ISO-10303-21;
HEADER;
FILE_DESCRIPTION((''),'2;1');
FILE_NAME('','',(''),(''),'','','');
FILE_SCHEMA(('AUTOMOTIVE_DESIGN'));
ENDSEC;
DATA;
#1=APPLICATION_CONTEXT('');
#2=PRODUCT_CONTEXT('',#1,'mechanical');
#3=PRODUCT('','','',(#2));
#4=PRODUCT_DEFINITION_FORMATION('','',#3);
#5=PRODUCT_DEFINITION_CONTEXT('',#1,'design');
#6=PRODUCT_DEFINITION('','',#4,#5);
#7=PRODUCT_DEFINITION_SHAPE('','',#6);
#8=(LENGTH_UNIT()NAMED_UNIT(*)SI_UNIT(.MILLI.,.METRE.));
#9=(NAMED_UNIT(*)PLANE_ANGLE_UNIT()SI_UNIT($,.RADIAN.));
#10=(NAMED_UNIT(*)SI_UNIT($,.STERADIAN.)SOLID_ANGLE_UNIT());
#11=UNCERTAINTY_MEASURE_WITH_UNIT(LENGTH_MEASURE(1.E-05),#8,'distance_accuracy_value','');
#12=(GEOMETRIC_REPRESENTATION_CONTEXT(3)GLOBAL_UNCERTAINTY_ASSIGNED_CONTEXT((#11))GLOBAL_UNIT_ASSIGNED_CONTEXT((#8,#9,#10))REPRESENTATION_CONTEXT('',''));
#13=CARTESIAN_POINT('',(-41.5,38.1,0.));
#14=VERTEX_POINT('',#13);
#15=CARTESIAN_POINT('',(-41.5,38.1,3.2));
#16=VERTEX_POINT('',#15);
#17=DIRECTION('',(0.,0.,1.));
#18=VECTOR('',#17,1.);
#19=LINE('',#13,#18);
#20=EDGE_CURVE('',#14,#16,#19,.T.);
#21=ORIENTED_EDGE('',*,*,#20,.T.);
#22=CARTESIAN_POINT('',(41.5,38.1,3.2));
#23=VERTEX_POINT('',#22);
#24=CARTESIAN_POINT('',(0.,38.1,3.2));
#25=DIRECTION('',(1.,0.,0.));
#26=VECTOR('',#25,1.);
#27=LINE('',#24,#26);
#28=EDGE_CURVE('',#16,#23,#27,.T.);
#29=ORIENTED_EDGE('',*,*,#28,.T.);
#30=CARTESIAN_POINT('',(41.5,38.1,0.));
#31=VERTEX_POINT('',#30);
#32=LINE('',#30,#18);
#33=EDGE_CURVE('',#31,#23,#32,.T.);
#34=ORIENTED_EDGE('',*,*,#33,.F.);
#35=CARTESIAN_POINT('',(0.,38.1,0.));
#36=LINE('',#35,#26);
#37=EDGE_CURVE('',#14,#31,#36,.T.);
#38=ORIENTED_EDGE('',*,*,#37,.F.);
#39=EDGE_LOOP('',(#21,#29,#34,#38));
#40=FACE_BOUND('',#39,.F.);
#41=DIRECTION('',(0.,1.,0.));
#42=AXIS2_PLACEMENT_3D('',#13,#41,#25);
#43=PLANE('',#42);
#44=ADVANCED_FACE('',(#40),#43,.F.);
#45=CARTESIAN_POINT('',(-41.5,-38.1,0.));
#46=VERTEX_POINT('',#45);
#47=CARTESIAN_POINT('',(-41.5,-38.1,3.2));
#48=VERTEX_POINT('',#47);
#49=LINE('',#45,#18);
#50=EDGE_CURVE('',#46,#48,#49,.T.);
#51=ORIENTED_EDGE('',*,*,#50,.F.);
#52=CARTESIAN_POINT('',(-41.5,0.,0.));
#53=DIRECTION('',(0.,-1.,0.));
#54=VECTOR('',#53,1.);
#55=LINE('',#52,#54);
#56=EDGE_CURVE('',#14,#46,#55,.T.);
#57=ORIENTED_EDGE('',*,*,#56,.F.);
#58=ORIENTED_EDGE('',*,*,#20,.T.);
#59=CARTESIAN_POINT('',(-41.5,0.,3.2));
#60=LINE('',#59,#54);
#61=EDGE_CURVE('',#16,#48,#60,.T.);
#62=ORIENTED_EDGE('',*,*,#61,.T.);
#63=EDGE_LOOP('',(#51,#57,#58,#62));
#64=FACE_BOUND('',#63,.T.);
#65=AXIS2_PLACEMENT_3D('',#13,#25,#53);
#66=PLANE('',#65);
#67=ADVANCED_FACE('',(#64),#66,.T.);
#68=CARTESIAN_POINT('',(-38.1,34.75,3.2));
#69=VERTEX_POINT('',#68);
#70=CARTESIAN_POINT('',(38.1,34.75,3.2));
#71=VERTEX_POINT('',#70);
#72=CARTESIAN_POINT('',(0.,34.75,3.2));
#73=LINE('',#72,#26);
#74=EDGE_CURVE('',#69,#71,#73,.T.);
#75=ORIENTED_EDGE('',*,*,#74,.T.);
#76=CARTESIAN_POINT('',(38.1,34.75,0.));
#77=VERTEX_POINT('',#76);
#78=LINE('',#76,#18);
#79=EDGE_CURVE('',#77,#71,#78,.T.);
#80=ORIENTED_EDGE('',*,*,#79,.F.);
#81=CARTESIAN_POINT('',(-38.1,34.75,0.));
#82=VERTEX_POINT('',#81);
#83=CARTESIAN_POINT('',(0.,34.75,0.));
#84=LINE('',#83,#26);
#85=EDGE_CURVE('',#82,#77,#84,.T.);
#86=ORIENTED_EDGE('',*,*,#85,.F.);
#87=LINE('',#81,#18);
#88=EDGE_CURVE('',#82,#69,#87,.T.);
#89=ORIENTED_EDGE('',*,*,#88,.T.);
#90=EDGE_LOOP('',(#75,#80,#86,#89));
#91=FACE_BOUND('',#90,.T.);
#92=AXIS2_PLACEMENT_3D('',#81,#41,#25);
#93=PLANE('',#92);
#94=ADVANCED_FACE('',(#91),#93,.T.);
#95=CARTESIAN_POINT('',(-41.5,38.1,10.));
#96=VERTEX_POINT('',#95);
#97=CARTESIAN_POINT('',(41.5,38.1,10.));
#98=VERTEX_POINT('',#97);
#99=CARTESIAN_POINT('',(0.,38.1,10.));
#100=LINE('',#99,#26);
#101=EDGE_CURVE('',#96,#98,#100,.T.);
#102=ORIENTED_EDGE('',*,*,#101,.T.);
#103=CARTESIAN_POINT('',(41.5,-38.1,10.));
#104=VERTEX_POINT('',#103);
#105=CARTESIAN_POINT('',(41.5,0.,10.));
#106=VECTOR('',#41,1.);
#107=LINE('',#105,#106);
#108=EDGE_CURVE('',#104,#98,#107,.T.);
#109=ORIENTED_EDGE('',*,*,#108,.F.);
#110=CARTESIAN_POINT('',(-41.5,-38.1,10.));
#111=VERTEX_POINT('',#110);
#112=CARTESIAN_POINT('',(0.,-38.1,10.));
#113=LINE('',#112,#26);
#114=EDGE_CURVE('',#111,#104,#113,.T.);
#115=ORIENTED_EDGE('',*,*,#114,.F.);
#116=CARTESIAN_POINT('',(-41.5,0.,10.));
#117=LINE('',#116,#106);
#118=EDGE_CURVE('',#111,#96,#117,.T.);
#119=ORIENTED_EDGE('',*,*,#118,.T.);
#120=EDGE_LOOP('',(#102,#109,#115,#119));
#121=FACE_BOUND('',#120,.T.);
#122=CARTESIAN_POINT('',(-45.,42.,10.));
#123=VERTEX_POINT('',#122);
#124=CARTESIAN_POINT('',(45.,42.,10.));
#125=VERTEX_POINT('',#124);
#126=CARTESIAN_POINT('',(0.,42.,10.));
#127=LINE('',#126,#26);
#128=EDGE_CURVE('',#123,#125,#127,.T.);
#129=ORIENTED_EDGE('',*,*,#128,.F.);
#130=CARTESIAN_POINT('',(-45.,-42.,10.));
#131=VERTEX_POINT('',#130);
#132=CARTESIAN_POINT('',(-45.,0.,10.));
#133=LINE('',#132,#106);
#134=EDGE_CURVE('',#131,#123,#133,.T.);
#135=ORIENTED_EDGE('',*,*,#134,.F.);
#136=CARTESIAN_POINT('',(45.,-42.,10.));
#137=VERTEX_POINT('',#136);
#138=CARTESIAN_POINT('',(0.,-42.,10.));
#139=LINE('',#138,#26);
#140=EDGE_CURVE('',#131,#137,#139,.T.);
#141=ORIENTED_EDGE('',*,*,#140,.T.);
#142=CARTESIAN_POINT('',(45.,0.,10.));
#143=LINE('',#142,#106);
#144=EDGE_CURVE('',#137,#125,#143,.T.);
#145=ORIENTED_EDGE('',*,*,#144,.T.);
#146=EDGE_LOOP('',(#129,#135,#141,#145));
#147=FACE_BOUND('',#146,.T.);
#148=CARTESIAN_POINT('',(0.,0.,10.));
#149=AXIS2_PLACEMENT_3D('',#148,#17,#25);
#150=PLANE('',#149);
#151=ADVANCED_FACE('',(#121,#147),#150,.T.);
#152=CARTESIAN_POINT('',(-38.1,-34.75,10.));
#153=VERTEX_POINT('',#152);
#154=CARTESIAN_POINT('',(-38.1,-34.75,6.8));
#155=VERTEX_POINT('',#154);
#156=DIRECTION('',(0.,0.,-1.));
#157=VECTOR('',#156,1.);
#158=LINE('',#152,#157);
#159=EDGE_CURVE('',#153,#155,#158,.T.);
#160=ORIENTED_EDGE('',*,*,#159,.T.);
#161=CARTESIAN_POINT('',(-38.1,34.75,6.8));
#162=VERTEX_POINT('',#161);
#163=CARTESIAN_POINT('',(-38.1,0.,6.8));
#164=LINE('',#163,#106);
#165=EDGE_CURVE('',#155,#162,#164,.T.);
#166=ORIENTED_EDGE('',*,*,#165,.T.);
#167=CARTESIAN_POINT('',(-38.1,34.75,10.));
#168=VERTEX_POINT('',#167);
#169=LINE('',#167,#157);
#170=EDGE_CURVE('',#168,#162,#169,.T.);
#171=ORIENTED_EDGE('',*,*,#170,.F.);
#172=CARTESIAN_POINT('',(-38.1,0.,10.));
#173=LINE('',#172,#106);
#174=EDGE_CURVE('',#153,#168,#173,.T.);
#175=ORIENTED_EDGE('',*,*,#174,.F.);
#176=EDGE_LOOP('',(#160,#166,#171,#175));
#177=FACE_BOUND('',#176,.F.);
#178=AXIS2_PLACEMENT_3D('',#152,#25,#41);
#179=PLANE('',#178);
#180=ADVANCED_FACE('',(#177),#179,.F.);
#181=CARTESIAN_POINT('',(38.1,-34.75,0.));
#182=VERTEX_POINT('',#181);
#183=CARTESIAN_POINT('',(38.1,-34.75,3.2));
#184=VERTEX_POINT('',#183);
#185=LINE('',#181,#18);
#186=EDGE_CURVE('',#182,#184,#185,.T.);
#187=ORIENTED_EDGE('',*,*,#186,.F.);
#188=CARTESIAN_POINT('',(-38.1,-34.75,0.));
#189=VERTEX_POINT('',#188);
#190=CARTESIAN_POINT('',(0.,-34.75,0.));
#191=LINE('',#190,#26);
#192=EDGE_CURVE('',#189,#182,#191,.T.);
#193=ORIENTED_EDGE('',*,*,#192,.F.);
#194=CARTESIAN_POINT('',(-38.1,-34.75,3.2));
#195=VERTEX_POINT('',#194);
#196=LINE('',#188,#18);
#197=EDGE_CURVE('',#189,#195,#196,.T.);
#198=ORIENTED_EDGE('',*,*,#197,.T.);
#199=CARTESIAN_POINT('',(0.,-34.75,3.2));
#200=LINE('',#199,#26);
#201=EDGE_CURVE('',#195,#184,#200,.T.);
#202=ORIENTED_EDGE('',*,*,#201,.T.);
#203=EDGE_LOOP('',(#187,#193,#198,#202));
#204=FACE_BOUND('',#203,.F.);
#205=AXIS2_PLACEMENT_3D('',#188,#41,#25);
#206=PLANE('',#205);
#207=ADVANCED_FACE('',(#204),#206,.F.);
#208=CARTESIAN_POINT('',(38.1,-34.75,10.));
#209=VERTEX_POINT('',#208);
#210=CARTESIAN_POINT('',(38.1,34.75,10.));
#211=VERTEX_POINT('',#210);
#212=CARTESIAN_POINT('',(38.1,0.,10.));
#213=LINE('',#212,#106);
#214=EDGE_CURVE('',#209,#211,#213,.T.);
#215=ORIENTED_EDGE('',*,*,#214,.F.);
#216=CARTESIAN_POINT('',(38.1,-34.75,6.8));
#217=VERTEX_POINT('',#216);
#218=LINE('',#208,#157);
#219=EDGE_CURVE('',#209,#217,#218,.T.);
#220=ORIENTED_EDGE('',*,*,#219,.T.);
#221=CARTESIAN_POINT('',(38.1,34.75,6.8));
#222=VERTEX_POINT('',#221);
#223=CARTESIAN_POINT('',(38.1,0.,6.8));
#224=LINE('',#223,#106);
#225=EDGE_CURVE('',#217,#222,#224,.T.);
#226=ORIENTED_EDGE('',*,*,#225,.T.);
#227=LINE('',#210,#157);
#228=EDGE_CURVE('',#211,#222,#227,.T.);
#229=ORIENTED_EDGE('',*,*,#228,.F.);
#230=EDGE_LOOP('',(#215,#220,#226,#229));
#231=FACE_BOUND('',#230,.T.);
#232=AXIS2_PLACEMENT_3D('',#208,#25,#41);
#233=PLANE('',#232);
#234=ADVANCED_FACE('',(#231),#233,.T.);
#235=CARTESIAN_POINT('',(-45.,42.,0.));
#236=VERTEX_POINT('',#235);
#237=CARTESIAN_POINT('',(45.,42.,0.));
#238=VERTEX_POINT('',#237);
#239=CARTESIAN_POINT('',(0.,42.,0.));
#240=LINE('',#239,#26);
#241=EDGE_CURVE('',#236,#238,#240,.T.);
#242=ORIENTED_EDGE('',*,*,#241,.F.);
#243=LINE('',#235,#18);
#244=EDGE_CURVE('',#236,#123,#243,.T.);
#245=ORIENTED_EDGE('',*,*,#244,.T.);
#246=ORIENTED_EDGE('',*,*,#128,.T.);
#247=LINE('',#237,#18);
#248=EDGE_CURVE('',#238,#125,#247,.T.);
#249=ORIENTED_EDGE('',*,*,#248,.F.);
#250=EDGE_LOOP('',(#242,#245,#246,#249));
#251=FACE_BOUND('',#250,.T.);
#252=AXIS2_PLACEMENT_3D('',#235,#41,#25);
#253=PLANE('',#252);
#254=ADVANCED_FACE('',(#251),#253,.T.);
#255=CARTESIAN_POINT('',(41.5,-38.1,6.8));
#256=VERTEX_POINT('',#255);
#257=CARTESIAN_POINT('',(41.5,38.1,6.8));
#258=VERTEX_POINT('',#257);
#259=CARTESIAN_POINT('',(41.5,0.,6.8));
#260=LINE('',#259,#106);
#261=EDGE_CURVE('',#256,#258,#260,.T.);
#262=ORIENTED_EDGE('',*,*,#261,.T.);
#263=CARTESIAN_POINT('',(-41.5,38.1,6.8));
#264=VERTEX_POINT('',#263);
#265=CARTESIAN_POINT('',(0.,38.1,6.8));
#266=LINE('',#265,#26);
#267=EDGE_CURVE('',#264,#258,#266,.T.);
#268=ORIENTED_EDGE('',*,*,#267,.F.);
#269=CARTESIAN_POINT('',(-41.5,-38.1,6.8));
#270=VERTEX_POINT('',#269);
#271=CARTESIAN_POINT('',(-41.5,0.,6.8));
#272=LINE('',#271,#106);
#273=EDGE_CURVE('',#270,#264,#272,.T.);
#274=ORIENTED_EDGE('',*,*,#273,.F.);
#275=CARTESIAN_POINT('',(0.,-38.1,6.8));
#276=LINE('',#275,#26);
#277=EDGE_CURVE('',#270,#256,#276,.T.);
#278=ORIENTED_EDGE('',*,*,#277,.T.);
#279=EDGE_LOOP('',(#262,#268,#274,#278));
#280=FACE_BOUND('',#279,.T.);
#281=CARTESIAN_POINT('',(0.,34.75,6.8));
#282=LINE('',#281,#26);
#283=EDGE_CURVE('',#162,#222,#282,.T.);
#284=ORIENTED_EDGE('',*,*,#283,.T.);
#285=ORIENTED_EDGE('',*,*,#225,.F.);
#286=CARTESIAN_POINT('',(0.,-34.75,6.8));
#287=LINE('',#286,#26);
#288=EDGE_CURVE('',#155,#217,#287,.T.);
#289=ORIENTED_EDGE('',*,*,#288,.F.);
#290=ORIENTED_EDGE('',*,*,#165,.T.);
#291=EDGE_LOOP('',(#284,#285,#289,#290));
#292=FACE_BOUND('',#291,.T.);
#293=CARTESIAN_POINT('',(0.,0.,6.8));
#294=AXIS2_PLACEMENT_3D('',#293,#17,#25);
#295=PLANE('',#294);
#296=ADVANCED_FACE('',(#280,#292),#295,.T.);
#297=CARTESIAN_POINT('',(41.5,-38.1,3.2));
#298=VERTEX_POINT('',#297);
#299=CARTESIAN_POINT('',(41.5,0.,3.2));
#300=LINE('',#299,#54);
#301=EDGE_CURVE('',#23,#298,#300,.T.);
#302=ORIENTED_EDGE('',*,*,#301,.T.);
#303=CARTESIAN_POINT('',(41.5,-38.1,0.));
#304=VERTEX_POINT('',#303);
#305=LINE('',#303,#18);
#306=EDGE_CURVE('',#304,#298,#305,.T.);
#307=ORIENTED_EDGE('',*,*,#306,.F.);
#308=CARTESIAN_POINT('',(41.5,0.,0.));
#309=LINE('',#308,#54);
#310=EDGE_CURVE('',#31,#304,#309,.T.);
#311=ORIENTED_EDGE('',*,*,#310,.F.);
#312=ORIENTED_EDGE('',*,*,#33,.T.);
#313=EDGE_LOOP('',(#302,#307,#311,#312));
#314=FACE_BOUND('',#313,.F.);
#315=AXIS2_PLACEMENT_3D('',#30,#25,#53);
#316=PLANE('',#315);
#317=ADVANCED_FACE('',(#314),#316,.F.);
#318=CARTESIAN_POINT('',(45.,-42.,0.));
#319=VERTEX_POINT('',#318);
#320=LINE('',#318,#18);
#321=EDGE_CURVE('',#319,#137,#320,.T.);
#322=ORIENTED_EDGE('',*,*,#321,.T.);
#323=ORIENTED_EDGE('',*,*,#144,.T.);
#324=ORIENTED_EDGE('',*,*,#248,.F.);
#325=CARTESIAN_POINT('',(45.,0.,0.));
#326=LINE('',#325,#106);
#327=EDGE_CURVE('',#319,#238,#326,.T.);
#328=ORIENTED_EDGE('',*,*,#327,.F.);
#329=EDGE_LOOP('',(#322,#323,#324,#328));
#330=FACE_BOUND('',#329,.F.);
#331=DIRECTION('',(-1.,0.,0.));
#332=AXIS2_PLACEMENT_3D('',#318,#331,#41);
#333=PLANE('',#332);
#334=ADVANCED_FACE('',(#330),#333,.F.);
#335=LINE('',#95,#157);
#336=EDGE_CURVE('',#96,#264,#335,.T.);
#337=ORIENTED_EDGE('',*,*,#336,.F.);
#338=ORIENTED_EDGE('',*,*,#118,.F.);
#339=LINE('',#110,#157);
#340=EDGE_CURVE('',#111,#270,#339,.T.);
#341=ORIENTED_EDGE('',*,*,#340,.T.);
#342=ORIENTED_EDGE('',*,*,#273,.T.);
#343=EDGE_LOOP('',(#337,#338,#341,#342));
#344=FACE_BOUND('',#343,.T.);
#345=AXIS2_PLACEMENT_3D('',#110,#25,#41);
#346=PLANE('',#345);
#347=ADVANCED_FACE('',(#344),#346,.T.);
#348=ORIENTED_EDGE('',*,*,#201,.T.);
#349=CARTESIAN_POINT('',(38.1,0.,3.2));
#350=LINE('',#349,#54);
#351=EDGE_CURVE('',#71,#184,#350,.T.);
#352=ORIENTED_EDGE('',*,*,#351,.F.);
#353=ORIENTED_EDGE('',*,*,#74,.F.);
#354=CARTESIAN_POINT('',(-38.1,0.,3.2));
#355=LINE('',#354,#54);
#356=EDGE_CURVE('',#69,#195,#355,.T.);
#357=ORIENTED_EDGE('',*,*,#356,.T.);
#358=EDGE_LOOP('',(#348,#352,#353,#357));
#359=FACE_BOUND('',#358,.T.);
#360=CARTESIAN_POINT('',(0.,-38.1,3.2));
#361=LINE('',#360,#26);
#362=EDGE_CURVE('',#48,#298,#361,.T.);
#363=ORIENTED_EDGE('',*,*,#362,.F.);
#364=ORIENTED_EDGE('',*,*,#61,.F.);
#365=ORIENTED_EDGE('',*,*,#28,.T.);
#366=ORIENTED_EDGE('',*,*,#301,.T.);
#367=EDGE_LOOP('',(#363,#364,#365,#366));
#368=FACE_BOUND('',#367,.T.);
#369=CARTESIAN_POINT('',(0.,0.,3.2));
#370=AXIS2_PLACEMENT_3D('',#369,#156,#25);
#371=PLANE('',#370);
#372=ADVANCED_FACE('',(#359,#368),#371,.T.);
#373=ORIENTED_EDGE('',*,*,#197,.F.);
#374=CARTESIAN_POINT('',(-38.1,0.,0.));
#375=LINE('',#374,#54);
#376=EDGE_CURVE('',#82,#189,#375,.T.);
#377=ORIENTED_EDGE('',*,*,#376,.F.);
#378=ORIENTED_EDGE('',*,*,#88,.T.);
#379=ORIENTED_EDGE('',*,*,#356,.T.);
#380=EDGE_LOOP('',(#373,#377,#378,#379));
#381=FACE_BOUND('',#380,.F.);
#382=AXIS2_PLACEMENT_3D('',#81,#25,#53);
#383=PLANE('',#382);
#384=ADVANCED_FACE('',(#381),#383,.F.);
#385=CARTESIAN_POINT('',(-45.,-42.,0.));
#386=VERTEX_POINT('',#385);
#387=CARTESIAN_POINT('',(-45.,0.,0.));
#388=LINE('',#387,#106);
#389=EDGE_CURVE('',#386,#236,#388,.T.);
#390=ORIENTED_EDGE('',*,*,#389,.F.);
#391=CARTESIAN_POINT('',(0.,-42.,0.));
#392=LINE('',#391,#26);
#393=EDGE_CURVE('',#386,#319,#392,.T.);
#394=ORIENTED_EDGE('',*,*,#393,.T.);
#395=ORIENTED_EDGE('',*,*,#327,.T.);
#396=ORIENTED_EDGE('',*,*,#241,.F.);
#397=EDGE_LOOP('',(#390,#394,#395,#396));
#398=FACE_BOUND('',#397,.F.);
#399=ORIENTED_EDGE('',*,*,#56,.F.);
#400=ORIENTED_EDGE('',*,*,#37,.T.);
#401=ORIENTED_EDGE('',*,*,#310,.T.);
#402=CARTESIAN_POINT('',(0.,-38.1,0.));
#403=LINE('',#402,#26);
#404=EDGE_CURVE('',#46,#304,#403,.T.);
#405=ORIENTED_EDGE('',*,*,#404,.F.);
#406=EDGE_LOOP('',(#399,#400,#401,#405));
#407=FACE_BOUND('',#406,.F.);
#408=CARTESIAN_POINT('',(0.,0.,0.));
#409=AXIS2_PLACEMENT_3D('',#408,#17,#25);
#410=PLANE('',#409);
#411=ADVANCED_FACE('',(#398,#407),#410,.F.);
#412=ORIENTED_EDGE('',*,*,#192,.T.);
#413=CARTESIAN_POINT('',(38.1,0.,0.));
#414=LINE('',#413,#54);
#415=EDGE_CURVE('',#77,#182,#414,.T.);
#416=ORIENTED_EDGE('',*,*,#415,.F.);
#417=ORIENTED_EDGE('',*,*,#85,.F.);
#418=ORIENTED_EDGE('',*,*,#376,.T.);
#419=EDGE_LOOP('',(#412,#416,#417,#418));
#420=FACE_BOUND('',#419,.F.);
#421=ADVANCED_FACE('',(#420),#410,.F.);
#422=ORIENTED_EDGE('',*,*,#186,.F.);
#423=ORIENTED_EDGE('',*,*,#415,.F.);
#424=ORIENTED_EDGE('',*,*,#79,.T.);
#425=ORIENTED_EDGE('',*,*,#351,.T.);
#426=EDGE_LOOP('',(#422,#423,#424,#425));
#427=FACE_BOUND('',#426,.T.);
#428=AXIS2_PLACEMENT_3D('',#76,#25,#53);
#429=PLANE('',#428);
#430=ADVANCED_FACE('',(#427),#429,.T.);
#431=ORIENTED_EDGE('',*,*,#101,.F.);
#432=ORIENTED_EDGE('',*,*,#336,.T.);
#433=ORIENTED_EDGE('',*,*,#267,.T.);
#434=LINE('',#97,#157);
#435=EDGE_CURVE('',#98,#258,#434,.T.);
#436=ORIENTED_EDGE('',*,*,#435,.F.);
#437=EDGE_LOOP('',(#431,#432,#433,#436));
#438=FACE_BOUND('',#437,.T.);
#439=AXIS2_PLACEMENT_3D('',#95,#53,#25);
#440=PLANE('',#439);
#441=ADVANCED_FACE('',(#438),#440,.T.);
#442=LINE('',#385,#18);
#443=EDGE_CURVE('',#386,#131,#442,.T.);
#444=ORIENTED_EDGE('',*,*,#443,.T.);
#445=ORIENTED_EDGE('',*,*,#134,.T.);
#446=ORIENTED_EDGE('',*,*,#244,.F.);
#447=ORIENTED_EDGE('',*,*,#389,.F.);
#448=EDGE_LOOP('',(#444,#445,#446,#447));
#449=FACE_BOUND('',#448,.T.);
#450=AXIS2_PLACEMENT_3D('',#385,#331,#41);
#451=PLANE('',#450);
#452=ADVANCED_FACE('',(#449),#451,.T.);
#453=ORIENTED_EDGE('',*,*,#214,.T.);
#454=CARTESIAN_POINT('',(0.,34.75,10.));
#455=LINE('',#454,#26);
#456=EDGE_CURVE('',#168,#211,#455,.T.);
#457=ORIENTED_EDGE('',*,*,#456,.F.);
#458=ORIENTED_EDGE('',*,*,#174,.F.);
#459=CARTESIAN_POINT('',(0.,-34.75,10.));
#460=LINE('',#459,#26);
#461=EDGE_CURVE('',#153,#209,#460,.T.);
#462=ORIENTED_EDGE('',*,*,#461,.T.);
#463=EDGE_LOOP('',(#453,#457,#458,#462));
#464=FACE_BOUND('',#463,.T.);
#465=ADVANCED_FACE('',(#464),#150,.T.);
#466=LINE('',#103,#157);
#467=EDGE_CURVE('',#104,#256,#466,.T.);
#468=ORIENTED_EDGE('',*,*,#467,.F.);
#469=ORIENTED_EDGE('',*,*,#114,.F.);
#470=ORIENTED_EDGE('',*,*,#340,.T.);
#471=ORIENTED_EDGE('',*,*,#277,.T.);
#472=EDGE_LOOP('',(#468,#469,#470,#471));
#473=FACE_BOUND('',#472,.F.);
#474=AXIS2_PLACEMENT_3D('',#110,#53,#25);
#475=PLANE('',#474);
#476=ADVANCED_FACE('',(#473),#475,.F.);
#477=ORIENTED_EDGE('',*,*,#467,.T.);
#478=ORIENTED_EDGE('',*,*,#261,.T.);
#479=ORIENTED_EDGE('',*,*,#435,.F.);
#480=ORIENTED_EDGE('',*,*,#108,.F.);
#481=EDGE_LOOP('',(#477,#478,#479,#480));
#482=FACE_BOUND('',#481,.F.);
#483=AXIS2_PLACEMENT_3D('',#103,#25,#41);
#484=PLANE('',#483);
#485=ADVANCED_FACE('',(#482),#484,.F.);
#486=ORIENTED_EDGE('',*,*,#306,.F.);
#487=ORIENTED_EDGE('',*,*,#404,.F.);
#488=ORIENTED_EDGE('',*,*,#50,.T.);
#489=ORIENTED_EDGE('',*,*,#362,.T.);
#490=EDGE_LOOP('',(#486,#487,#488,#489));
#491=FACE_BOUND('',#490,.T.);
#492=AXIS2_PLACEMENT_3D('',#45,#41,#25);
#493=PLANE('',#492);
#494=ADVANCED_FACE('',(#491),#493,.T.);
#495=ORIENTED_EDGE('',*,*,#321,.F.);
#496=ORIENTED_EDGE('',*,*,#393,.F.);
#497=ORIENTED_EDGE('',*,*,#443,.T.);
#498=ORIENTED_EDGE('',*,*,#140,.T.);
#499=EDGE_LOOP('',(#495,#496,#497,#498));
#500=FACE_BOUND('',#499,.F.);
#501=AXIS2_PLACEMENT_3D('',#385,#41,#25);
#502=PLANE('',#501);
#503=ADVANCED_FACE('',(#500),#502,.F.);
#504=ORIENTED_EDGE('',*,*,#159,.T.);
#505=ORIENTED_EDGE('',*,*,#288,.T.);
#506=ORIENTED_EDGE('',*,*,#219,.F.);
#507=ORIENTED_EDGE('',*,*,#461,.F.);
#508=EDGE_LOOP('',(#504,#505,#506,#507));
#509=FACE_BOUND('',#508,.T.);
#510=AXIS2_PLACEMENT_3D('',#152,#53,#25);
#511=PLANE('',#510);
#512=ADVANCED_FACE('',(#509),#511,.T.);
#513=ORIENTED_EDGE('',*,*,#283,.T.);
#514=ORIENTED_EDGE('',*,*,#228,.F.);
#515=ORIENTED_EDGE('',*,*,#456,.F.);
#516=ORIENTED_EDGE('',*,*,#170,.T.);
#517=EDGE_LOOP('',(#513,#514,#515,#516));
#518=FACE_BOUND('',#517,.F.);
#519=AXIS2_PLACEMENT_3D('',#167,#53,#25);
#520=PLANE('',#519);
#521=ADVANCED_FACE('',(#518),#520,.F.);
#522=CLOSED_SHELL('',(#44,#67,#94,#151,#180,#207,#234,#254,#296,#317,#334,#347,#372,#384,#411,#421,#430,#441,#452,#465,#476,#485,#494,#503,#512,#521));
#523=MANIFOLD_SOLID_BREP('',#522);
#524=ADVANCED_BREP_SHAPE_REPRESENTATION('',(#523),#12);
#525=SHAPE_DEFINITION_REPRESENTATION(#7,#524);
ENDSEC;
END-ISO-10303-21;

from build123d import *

# Parameters (mm, degrees)
F0_W     = 90
F0_H     = 84
F1_DEPTH = 10
F2_W     = 83
F2_H     = 76.2
F2_W_2   = 76.2
F2_H_2   = 69.5
F3_DEPTH = 3.2
F4_W     = 83
F4_H     = 76.2
F4_W_2   = 76.2
F4_H_2   = 69.5
F5_DEPTH = 3.2


with BuildPart() as f1:
    # F0 (on Top) → F1 (new body)
    with BuildSketch(Plane.XY):
        Rectangle(F0_W, F0_H)
    extrude(amount=F1_DEPTH)

    # F2 (on face) → F3 (cut)
    with BuildSketch(Plane.XY.offset(10)):
        Rectangle(F2_W, F2_H)
        Rectangle(F2_W_2, F2_H_2, mode=Mode.SUBTRACT)
    extrude(amount=-F3_DEPTH, mode=Mode.SUBTRACT)

    # F4 (on face) → F5 (cut)
    with BuildSketch(Plane(origin=(0, 0, 0), x_dir=(1, 0, 0), z_dir=(0, 0, -1))):
        Rectangle(F4_W, F4_H)
        Rectangle(F4_W_2, F4_H_2, mode=Mode.SUBTRACT)
    extrude(amount=-F5_DEPTH, mode=Mode.SUBTRACT)


solid = f1.part
